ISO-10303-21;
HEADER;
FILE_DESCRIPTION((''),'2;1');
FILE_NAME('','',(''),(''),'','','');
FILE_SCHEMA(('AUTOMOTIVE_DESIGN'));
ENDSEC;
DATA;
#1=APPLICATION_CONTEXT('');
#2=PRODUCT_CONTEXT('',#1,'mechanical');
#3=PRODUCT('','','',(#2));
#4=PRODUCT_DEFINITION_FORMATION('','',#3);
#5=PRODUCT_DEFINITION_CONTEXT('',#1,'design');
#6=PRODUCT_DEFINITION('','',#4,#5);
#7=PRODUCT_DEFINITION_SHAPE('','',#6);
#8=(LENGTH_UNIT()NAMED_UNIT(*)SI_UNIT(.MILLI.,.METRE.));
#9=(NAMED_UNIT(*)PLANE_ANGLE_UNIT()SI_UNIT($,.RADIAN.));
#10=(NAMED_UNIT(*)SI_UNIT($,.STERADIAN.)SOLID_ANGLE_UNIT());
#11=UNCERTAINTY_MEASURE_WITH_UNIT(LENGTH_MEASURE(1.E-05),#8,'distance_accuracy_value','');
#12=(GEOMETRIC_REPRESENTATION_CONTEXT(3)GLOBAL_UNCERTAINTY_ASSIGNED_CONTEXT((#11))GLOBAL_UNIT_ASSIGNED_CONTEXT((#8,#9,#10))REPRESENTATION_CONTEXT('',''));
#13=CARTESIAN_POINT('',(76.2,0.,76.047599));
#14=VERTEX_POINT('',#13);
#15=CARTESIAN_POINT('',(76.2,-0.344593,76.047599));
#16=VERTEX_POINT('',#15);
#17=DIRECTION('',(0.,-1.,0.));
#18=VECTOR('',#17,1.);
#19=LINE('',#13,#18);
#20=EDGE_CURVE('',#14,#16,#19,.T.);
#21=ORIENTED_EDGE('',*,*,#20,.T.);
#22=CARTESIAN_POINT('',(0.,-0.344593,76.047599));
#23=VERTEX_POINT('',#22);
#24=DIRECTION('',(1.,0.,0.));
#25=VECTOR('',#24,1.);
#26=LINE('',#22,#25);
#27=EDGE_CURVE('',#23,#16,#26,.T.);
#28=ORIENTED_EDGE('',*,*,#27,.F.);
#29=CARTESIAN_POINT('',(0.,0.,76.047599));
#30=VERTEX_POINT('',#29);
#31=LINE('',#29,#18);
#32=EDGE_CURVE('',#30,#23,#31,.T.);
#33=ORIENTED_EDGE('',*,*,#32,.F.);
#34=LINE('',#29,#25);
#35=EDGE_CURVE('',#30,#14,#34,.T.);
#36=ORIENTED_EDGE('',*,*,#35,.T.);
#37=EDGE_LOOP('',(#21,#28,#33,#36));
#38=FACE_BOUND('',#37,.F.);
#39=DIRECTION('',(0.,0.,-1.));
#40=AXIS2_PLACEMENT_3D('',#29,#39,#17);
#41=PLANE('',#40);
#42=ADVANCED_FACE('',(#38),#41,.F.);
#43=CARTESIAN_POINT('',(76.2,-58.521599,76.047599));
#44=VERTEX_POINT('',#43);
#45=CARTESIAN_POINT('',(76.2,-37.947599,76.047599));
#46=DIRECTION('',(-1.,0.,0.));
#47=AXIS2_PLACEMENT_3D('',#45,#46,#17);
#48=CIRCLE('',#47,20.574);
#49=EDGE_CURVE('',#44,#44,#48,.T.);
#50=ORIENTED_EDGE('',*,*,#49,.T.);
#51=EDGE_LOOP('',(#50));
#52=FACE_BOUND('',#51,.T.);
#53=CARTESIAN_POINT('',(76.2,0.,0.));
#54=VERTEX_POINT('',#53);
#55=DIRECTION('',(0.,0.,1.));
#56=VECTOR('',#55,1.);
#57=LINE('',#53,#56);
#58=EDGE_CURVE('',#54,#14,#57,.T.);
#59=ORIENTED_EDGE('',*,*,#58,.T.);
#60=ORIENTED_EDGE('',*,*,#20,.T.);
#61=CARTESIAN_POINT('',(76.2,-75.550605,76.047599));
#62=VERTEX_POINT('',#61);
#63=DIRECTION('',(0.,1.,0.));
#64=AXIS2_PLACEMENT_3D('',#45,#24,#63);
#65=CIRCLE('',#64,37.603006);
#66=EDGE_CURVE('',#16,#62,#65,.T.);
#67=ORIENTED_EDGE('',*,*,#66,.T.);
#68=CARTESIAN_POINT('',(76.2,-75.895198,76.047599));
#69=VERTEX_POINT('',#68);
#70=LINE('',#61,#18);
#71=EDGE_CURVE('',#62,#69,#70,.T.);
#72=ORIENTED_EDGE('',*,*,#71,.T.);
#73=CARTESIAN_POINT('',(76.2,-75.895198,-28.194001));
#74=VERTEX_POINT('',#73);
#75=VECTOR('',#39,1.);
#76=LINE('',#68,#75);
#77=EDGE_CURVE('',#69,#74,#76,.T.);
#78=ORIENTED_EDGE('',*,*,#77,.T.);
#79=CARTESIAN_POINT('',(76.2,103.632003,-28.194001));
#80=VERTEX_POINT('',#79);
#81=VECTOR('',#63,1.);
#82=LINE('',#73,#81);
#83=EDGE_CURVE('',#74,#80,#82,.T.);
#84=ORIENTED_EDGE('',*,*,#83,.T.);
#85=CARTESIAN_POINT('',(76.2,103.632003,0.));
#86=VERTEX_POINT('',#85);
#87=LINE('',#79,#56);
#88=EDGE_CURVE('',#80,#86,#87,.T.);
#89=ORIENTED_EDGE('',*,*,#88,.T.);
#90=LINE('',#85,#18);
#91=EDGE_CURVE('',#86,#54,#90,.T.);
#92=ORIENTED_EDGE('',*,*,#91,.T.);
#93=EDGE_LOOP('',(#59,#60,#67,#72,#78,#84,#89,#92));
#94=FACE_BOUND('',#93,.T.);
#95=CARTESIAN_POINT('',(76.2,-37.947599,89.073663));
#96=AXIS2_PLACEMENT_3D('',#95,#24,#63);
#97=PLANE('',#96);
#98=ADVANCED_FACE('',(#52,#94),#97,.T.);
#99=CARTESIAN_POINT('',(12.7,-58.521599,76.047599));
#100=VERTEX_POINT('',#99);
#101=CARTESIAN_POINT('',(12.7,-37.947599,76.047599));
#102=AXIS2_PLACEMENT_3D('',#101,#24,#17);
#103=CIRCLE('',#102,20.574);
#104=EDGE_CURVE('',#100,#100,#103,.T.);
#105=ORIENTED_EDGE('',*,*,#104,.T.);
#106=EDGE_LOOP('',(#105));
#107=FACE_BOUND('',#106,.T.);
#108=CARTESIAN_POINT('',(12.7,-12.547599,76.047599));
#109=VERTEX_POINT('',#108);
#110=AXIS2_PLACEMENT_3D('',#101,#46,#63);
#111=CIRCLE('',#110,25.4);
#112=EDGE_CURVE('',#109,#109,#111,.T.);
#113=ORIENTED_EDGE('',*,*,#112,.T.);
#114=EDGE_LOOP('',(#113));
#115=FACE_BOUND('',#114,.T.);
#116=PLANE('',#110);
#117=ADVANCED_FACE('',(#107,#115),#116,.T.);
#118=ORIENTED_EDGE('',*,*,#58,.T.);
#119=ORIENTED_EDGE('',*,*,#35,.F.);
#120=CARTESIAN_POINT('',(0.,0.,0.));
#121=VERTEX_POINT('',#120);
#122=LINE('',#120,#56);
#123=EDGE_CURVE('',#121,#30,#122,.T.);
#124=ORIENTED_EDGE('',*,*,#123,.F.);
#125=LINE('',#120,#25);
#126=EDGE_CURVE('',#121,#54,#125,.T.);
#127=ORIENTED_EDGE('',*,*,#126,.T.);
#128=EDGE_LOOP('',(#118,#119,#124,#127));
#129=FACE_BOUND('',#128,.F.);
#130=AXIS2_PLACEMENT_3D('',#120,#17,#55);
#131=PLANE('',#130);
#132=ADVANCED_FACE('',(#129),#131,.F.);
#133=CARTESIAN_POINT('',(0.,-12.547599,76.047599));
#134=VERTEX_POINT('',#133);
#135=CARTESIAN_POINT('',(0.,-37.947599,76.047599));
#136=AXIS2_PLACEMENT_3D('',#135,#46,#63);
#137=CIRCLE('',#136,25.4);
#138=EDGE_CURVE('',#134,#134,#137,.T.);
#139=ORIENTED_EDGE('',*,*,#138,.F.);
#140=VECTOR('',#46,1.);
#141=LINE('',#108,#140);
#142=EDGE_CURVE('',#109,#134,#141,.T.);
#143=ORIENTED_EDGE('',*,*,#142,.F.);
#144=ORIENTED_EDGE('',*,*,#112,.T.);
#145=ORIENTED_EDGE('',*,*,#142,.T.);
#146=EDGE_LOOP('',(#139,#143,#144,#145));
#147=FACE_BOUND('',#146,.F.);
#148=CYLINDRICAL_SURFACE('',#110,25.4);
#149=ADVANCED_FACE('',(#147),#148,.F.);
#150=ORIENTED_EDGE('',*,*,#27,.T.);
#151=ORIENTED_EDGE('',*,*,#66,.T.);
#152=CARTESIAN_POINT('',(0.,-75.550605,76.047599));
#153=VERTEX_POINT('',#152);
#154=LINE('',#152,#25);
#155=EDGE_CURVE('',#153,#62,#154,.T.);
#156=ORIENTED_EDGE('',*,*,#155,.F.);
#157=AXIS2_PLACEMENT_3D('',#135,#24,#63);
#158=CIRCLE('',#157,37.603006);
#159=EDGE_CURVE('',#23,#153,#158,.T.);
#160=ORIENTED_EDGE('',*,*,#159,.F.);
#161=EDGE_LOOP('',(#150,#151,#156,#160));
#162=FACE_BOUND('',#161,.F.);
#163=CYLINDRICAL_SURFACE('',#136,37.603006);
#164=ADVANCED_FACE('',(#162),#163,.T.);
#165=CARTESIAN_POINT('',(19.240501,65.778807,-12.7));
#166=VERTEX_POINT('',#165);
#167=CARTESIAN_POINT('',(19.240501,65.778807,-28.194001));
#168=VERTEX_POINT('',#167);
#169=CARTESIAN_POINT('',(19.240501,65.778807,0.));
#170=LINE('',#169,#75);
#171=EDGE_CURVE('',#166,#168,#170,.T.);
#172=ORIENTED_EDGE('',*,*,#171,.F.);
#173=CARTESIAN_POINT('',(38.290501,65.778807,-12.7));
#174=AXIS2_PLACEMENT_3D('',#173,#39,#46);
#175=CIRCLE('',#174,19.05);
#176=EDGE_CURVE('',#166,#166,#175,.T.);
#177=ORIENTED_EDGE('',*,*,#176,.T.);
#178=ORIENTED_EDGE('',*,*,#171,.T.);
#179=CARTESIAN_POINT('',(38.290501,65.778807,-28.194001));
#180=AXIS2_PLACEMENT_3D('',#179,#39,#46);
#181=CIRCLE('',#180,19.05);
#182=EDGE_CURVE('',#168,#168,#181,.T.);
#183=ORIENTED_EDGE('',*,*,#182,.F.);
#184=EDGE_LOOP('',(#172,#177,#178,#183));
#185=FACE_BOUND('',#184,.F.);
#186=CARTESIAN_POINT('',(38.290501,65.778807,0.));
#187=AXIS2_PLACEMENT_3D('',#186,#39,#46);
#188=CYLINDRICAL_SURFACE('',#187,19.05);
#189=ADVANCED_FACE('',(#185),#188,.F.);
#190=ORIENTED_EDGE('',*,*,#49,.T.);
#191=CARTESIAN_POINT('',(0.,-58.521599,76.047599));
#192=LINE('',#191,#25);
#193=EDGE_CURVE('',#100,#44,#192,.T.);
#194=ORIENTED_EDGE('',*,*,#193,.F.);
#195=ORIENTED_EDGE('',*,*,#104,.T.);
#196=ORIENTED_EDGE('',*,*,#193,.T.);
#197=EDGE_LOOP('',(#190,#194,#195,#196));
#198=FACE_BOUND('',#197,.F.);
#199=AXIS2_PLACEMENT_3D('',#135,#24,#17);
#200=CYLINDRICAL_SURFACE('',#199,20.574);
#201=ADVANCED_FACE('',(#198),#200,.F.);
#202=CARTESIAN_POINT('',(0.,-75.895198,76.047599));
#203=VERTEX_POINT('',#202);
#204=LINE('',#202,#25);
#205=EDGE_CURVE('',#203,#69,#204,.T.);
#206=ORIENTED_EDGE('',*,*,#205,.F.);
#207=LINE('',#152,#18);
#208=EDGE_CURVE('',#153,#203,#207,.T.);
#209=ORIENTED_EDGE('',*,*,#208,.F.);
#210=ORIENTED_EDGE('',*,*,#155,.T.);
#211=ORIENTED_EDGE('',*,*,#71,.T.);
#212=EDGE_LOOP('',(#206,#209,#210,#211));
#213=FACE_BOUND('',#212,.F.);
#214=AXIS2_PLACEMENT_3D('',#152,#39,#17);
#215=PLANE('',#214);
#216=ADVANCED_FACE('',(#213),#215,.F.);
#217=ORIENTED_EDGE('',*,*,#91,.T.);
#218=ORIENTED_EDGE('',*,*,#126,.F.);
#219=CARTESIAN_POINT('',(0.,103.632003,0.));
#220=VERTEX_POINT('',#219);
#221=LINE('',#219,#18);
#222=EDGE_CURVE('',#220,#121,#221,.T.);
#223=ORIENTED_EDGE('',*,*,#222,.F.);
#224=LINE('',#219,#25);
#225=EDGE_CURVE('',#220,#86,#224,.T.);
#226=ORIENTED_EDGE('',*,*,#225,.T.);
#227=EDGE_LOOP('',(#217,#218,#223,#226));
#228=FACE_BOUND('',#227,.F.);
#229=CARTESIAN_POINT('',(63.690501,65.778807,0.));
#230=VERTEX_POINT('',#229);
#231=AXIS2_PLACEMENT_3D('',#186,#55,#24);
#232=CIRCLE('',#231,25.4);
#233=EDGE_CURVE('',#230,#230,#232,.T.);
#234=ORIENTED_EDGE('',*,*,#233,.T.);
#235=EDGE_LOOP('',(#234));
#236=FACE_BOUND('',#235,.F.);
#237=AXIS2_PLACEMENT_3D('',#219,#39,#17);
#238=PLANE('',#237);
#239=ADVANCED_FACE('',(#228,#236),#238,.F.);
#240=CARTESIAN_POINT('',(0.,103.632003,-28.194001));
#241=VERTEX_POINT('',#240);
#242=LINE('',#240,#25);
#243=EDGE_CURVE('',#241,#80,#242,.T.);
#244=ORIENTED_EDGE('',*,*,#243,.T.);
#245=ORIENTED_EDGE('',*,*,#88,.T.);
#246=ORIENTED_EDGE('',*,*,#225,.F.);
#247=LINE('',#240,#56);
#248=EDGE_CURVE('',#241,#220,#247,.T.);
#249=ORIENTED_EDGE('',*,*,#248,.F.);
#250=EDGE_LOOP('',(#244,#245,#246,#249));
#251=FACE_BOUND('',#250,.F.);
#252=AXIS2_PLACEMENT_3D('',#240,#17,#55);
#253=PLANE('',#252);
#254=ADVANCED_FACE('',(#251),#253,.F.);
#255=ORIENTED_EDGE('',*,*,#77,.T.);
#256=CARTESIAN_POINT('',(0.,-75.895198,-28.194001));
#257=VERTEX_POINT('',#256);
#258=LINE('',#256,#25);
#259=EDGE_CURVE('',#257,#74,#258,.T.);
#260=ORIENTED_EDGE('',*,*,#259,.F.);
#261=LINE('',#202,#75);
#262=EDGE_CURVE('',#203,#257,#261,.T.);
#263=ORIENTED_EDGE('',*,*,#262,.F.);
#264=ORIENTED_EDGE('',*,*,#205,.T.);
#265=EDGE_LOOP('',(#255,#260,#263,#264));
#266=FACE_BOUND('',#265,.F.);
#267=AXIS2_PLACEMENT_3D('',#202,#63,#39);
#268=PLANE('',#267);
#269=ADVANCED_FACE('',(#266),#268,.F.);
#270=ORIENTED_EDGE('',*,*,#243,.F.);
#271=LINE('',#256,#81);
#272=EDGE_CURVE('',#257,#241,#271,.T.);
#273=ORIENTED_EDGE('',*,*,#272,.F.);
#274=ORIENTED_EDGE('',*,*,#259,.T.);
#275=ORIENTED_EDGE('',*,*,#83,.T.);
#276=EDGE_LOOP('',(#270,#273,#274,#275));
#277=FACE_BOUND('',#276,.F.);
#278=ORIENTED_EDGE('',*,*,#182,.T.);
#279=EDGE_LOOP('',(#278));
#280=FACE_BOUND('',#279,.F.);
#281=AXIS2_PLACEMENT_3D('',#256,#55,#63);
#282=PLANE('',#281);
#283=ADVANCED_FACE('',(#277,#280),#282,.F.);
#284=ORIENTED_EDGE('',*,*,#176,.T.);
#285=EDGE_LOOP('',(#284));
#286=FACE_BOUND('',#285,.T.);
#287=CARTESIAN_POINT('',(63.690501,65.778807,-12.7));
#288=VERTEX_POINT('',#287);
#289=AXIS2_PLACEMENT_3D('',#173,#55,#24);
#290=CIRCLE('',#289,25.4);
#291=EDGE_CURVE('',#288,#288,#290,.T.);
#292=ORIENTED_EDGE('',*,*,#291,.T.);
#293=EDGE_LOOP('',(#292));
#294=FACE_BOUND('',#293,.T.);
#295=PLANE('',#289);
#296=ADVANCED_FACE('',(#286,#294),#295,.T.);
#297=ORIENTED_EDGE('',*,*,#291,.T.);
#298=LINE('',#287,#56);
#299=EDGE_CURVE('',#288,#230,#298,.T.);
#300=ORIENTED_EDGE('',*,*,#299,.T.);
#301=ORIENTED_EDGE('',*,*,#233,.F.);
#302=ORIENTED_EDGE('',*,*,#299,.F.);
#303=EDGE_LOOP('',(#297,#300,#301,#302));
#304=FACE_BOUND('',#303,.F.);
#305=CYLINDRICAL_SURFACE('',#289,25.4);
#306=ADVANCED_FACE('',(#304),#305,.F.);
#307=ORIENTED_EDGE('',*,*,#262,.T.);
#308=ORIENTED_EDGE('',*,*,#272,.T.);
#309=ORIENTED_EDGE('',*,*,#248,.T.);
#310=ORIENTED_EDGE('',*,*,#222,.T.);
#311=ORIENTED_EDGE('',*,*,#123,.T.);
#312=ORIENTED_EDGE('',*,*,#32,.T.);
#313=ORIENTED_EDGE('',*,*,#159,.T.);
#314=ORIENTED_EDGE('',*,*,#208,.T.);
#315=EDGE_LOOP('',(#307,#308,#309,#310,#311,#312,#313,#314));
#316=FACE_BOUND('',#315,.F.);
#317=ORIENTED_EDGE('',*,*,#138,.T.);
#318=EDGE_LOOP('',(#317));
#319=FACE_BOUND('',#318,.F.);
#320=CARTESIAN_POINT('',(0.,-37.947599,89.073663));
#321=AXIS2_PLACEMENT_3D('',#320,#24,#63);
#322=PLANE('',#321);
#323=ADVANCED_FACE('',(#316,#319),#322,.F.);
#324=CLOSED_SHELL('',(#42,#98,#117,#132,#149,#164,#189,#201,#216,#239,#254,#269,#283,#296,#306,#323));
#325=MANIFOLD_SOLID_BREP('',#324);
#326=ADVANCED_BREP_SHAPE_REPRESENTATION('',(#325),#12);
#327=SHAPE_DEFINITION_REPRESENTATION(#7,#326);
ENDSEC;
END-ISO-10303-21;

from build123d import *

# Parameters (mm, degrees)
F1_DEPTH       = 76.2
F3_D           = 38.1
F3_DEPTH       = 38.1
F3_CBORE_D     = 50.8
F3_CBORE_DEPTH = 12.7
F3_TIP         = 11.4463947925
F4_D           = 41.148
F4_DEPTH       = 76.2
F4_CBORE_D     = 50.8
F4_CBORE_DEPTH = 12.7
F4_TIP         = 12.3621063759


with BuildPart() as f1:
    # F0 (on Right) → F1 (new body)
    with BuildSketch(Plane.YZ):
        with BuildLine():
            ThreePointArc((-0.3445927945, 76.0475993156), (-37.9475988448, 113.6506053659), (-75.5506048951, 76.0475993156))
            Line((-75.5506048951, 76.0475993156), (-0.3445927945, 76.0475993156))
        make_face()
        Polygon((-75.8951976895, 76.0475993156), (-75.8951976895, 0), (0, 0), (0, 76.0475993156), (-0.3445927945, 76.0475993156), (-75.5506048951, 76.0475993156), align=None)
        Polygon((0, 0), (-75.8951976895, 0), (-75.8951976895, -28.1940009445), (103.6320030689, -28.1940009445), (103.6320030689, 0), align=None)
    extrude(amount=F1_DEPTH)

    # F3
    with Locations(Plane.XY):
        with Locations((38.2905006409, 65.7788068056)):
            CounterBoreHole(F3_D / 2, F3_CBORE_D / 2, F3_CBORE_DEPTH, depth=F3_DEPTH)
            with Locations((0, 0, -(F3_DEPTH + F3_TIP / 2))):  # 118° drill point
                Cone(0, F3_D / 2, F3_TIP, mode=Mode.SUBTRACT)

    # F4
    with Locations(Plane(origin=(0, 0, 0), x_dir=(0, 1, 0), z_dir=(-1, 0, 0))):
        with Locations((-37.9475988448, -76.0475993156)):
            CounterBoreHole(F4_D / 2, F4_CBORE_D / 2, F4_CBORE_DEPTH, depth=F4_DEPTH)
            with Locations((0, 0, -(F4_DEPTH + F4_TIP / 2))):  # 118° drill point
                Cone(0, F4_D / 2, F4_TIP, mode=Mode.SUBTRACT)


solid = f1.part
